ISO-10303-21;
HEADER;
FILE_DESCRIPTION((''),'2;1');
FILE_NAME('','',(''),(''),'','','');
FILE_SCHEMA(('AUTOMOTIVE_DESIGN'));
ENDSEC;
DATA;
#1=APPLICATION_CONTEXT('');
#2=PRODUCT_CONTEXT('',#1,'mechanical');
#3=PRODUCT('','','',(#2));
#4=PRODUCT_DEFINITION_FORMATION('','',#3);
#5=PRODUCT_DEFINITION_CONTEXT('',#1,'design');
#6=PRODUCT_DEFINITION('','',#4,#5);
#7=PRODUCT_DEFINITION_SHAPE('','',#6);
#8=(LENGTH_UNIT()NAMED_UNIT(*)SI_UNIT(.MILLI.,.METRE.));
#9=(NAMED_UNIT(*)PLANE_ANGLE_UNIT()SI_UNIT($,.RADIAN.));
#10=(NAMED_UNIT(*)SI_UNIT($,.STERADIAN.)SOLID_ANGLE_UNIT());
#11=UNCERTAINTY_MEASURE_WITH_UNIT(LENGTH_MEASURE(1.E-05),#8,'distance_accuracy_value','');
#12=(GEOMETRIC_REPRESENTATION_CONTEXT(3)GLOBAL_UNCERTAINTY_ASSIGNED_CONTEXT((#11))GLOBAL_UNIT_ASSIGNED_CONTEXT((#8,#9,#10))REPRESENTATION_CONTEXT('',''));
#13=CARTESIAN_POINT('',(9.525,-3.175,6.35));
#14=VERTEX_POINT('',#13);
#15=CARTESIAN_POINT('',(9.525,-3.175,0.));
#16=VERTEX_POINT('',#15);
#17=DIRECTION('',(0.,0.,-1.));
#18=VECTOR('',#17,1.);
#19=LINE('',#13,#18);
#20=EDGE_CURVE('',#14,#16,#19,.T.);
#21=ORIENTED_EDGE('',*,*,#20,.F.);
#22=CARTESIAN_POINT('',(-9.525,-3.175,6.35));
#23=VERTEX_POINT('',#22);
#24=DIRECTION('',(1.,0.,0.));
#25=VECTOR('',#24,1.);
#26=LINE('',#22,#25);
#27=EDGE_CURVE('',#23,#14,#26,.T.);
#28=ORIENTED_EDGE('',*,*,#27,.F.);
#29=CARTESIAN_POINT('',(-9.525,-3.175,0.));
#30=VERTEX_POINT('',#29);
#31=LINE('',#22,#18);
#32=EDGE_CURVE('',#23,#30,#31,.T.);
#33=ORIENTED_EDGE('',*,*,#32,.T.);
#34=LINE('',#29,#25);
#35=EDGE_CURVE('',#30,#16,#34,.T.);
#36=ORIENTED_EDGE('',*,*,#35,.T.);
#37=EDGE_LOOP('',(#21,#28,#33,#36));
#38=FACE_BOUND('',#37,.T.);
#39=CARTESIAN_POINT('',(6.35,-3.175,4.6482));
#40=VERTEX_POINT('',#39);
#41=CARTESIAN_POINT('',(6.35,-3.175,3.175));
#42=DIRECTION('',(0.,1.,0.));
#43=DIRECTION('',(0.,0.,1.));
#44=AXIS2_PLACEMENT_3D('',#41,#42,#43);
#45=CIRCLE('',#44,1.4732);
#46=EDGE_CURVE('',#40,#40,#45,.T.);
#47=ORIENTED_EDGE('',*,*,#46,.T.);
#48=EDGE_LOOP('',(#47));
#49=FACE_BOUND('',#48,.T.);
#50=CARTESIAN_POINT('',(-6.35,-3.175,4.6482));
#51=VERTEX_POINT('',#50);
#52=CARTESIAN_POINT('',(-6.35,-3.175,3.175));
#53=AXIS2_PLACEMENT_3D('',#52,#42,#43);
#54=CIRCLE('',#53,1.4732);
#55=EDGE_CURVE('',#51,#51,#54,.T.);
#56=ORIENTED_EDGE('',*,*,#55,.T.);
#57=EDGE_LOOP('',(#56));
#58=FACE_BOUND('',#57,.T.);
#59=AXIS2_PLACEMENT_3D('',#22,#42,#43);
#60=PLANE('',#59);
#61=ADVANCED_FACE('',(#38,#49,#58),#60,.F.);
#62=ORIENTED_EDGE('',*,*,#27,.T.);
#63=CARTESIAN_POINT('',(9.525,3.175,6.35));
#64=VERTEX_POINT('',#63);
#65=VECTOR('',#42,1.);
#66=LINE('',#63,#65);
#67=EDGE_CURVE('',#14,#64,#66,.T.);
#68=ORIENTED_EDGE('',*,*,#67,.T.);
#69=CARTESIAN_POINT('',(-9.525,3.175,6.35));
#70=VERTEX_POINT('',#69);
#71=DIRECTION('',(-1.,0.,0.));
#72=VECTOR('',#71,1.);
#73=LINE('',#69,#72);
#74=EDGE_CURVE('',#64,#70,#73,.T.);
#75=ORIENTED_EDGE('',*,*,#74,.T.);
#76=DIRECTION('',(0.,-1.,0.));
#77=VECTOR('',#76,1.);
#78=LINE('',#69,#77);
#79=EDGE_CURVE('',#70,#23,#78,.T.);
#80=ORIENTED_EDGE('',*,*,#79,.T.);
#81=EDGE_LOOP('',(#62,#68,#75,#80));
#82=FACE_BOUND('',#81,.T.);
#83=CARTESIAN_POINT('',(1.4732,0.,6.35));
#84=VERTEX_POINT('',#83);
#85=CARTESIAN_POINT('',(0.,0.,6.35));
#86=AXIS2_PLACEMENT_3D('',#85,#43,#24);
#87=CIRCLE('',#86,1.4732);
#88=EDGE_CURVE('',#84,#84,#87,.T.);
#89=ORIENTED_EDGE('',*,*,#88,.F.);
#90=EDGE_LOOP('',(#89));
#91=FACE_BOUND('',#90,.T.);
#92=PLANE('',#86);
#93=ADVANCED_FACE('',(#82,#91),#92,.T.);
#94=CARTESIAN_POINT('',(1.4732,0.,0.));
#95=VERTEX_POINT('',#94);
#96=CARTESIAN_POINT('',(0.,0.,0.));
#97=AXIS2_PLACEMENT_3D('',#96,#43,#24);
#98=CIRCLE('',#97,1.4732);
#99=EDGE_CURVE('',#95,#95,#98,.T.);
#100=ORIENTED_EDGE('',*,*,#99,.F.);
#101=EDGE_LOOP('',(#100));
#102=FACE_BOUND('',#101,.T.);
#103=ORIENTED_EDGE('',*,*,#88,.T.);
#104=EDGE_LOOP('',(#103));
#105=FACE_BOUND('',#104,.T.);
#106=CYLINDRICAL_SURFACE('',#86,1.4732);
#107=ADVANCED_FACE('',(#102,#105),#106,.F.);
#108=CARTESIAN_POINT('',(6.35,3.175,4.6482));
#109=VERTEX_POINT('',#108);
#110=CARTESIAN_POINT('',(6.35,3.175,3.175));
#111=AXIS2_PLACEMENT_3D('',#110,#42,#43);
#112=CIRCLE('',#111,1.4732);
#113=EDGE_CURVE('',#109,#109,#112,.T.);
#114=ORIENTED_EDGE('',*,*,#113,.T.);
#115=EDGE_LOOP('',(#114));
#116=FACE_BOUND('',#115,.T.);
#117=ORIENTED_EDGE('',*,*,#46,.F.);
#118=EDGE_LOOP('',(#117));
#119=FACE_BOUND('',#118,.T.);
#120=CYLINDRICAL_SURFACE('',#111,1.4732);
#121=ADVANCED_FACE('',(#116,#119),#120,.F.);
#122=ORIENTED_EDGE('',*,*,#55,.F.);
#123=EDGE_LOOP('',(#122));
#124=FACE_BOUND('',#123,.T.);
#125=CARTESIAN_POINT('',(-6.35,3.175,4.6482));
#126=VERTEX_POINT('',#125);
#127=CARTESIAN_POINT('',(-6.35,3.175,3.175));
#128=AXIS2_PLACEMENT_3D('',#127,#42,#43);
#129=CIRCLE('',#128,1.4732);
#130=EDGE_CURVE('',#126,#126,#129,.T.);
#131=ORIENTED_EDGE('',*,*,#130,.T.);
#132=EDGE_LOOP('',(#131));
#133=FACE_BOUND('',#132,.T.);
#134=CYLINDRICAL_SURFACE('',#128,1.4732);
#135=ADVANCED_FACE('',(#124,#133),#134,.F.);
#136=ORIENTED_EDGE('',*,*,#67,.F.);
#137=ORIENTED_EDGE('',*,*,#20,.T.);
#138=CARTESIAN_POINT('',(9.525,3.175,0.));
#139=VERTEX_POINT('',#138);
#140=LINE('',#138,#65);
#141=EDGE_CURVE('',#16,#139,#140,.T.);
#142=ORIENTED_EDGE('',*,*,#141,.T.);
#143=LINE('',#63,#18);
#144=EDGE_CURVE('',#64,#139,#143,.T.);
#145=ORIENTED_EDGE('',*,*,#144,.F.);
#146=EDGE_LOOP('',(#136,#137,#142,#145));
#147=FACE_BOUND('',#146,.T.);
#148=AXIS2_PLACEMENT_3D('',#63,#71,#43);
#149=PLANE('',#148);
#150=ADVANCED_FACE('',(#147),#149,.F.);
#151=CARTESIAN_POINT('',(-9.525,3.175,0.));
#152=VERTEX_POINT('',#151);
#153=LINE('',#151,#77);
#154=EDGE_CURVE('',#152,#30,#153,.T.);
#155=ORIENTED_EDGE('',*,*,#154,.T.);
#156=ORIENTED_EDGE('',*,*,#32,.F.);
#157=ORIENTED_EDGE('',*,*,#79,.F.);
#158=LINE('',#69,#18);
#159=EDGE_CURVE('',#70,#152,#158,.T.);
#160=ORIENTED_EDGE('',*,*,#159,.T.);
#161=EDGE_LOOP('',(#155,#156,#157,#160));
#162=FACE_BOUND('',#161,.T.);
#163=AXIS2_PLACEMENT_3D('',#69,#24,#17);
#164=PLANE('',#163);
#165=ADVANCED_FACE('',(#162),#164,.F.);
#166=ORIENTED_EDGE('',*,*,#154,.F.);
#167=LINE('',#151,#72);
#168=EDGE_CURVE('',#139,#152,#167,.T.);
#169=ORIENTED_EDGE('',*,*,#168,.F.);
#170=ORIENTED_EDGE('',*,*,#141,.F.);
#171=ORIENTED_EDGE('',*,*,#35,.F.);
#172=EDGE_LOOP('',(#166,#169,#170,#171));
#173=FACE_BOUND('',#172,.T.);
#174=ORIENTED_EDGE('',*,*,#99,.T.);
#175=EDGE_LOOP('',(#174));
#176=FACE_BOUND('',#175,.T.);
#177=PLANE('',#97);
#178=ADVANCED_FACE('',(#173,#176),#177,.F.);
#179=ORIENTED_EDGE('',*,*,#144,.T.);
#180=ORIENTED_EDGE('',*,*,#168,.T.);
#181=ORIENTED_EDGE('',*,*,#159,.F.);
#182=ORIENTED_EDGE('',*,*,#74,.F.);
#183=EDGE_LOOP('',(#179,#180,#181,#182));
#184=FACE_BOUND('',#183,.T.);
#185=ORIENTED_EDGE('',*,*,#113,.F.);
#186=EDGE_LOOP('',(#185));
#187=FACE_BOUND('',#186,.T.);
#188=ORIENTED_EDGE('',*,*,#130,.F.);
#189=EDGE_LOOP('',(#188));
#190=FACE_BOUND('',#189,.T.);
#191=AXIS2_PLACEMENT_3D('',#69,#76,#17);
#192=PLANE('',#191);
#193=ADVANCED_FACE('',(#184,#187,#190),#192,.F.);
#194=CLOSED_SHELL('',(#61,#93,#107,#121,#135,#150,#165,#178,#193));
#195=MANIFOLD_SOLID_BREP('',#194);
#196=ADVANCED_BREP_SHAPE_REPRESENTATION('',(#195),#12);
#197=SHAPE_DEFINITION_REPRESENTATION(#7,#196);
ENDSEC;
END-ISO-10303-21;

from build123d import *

# Parameters (mm, degrees)
SKETCH1_W             = 19.05
SKETCH1_H             = 6.35
BOSS_EXTRUDE1_DEPTH   = 6.35
F_4_CLEARANCE_HOLE1_D = 2.9464
F_4_CLEARANCE_HOLE2_D = 2.9464


with BuildPart() as part:
    # Sketch1 → Boss-Extrude1 (new body)
    with BuildSketch(Plane.XY):
        Rectangle(SKETCH1_W, SKETCH1_H)
    extrude(amount=BOSS_EXTRUDE1_DEPTH)

    # #4 Clearance Hole1 (through all)
    with Locations(Plane(origin=(0, 3.175, 0), x_dir=(1, 0, 0), z_dir=(0, 1, 0))):
        with Locations((-6.35, -3.175), (6.35, -3.175)):
            Hole(F_4_CLEARANCE_HOLE1_D / 2)

    # #4 Clearance Hole2 (through all)
    with Locations(Plane.XY.offset(6.35)):
        with Locations((0, 0)):
            Hole(F_4_CLEARANCE_HOLE2_D / 2)


solid = part.part
